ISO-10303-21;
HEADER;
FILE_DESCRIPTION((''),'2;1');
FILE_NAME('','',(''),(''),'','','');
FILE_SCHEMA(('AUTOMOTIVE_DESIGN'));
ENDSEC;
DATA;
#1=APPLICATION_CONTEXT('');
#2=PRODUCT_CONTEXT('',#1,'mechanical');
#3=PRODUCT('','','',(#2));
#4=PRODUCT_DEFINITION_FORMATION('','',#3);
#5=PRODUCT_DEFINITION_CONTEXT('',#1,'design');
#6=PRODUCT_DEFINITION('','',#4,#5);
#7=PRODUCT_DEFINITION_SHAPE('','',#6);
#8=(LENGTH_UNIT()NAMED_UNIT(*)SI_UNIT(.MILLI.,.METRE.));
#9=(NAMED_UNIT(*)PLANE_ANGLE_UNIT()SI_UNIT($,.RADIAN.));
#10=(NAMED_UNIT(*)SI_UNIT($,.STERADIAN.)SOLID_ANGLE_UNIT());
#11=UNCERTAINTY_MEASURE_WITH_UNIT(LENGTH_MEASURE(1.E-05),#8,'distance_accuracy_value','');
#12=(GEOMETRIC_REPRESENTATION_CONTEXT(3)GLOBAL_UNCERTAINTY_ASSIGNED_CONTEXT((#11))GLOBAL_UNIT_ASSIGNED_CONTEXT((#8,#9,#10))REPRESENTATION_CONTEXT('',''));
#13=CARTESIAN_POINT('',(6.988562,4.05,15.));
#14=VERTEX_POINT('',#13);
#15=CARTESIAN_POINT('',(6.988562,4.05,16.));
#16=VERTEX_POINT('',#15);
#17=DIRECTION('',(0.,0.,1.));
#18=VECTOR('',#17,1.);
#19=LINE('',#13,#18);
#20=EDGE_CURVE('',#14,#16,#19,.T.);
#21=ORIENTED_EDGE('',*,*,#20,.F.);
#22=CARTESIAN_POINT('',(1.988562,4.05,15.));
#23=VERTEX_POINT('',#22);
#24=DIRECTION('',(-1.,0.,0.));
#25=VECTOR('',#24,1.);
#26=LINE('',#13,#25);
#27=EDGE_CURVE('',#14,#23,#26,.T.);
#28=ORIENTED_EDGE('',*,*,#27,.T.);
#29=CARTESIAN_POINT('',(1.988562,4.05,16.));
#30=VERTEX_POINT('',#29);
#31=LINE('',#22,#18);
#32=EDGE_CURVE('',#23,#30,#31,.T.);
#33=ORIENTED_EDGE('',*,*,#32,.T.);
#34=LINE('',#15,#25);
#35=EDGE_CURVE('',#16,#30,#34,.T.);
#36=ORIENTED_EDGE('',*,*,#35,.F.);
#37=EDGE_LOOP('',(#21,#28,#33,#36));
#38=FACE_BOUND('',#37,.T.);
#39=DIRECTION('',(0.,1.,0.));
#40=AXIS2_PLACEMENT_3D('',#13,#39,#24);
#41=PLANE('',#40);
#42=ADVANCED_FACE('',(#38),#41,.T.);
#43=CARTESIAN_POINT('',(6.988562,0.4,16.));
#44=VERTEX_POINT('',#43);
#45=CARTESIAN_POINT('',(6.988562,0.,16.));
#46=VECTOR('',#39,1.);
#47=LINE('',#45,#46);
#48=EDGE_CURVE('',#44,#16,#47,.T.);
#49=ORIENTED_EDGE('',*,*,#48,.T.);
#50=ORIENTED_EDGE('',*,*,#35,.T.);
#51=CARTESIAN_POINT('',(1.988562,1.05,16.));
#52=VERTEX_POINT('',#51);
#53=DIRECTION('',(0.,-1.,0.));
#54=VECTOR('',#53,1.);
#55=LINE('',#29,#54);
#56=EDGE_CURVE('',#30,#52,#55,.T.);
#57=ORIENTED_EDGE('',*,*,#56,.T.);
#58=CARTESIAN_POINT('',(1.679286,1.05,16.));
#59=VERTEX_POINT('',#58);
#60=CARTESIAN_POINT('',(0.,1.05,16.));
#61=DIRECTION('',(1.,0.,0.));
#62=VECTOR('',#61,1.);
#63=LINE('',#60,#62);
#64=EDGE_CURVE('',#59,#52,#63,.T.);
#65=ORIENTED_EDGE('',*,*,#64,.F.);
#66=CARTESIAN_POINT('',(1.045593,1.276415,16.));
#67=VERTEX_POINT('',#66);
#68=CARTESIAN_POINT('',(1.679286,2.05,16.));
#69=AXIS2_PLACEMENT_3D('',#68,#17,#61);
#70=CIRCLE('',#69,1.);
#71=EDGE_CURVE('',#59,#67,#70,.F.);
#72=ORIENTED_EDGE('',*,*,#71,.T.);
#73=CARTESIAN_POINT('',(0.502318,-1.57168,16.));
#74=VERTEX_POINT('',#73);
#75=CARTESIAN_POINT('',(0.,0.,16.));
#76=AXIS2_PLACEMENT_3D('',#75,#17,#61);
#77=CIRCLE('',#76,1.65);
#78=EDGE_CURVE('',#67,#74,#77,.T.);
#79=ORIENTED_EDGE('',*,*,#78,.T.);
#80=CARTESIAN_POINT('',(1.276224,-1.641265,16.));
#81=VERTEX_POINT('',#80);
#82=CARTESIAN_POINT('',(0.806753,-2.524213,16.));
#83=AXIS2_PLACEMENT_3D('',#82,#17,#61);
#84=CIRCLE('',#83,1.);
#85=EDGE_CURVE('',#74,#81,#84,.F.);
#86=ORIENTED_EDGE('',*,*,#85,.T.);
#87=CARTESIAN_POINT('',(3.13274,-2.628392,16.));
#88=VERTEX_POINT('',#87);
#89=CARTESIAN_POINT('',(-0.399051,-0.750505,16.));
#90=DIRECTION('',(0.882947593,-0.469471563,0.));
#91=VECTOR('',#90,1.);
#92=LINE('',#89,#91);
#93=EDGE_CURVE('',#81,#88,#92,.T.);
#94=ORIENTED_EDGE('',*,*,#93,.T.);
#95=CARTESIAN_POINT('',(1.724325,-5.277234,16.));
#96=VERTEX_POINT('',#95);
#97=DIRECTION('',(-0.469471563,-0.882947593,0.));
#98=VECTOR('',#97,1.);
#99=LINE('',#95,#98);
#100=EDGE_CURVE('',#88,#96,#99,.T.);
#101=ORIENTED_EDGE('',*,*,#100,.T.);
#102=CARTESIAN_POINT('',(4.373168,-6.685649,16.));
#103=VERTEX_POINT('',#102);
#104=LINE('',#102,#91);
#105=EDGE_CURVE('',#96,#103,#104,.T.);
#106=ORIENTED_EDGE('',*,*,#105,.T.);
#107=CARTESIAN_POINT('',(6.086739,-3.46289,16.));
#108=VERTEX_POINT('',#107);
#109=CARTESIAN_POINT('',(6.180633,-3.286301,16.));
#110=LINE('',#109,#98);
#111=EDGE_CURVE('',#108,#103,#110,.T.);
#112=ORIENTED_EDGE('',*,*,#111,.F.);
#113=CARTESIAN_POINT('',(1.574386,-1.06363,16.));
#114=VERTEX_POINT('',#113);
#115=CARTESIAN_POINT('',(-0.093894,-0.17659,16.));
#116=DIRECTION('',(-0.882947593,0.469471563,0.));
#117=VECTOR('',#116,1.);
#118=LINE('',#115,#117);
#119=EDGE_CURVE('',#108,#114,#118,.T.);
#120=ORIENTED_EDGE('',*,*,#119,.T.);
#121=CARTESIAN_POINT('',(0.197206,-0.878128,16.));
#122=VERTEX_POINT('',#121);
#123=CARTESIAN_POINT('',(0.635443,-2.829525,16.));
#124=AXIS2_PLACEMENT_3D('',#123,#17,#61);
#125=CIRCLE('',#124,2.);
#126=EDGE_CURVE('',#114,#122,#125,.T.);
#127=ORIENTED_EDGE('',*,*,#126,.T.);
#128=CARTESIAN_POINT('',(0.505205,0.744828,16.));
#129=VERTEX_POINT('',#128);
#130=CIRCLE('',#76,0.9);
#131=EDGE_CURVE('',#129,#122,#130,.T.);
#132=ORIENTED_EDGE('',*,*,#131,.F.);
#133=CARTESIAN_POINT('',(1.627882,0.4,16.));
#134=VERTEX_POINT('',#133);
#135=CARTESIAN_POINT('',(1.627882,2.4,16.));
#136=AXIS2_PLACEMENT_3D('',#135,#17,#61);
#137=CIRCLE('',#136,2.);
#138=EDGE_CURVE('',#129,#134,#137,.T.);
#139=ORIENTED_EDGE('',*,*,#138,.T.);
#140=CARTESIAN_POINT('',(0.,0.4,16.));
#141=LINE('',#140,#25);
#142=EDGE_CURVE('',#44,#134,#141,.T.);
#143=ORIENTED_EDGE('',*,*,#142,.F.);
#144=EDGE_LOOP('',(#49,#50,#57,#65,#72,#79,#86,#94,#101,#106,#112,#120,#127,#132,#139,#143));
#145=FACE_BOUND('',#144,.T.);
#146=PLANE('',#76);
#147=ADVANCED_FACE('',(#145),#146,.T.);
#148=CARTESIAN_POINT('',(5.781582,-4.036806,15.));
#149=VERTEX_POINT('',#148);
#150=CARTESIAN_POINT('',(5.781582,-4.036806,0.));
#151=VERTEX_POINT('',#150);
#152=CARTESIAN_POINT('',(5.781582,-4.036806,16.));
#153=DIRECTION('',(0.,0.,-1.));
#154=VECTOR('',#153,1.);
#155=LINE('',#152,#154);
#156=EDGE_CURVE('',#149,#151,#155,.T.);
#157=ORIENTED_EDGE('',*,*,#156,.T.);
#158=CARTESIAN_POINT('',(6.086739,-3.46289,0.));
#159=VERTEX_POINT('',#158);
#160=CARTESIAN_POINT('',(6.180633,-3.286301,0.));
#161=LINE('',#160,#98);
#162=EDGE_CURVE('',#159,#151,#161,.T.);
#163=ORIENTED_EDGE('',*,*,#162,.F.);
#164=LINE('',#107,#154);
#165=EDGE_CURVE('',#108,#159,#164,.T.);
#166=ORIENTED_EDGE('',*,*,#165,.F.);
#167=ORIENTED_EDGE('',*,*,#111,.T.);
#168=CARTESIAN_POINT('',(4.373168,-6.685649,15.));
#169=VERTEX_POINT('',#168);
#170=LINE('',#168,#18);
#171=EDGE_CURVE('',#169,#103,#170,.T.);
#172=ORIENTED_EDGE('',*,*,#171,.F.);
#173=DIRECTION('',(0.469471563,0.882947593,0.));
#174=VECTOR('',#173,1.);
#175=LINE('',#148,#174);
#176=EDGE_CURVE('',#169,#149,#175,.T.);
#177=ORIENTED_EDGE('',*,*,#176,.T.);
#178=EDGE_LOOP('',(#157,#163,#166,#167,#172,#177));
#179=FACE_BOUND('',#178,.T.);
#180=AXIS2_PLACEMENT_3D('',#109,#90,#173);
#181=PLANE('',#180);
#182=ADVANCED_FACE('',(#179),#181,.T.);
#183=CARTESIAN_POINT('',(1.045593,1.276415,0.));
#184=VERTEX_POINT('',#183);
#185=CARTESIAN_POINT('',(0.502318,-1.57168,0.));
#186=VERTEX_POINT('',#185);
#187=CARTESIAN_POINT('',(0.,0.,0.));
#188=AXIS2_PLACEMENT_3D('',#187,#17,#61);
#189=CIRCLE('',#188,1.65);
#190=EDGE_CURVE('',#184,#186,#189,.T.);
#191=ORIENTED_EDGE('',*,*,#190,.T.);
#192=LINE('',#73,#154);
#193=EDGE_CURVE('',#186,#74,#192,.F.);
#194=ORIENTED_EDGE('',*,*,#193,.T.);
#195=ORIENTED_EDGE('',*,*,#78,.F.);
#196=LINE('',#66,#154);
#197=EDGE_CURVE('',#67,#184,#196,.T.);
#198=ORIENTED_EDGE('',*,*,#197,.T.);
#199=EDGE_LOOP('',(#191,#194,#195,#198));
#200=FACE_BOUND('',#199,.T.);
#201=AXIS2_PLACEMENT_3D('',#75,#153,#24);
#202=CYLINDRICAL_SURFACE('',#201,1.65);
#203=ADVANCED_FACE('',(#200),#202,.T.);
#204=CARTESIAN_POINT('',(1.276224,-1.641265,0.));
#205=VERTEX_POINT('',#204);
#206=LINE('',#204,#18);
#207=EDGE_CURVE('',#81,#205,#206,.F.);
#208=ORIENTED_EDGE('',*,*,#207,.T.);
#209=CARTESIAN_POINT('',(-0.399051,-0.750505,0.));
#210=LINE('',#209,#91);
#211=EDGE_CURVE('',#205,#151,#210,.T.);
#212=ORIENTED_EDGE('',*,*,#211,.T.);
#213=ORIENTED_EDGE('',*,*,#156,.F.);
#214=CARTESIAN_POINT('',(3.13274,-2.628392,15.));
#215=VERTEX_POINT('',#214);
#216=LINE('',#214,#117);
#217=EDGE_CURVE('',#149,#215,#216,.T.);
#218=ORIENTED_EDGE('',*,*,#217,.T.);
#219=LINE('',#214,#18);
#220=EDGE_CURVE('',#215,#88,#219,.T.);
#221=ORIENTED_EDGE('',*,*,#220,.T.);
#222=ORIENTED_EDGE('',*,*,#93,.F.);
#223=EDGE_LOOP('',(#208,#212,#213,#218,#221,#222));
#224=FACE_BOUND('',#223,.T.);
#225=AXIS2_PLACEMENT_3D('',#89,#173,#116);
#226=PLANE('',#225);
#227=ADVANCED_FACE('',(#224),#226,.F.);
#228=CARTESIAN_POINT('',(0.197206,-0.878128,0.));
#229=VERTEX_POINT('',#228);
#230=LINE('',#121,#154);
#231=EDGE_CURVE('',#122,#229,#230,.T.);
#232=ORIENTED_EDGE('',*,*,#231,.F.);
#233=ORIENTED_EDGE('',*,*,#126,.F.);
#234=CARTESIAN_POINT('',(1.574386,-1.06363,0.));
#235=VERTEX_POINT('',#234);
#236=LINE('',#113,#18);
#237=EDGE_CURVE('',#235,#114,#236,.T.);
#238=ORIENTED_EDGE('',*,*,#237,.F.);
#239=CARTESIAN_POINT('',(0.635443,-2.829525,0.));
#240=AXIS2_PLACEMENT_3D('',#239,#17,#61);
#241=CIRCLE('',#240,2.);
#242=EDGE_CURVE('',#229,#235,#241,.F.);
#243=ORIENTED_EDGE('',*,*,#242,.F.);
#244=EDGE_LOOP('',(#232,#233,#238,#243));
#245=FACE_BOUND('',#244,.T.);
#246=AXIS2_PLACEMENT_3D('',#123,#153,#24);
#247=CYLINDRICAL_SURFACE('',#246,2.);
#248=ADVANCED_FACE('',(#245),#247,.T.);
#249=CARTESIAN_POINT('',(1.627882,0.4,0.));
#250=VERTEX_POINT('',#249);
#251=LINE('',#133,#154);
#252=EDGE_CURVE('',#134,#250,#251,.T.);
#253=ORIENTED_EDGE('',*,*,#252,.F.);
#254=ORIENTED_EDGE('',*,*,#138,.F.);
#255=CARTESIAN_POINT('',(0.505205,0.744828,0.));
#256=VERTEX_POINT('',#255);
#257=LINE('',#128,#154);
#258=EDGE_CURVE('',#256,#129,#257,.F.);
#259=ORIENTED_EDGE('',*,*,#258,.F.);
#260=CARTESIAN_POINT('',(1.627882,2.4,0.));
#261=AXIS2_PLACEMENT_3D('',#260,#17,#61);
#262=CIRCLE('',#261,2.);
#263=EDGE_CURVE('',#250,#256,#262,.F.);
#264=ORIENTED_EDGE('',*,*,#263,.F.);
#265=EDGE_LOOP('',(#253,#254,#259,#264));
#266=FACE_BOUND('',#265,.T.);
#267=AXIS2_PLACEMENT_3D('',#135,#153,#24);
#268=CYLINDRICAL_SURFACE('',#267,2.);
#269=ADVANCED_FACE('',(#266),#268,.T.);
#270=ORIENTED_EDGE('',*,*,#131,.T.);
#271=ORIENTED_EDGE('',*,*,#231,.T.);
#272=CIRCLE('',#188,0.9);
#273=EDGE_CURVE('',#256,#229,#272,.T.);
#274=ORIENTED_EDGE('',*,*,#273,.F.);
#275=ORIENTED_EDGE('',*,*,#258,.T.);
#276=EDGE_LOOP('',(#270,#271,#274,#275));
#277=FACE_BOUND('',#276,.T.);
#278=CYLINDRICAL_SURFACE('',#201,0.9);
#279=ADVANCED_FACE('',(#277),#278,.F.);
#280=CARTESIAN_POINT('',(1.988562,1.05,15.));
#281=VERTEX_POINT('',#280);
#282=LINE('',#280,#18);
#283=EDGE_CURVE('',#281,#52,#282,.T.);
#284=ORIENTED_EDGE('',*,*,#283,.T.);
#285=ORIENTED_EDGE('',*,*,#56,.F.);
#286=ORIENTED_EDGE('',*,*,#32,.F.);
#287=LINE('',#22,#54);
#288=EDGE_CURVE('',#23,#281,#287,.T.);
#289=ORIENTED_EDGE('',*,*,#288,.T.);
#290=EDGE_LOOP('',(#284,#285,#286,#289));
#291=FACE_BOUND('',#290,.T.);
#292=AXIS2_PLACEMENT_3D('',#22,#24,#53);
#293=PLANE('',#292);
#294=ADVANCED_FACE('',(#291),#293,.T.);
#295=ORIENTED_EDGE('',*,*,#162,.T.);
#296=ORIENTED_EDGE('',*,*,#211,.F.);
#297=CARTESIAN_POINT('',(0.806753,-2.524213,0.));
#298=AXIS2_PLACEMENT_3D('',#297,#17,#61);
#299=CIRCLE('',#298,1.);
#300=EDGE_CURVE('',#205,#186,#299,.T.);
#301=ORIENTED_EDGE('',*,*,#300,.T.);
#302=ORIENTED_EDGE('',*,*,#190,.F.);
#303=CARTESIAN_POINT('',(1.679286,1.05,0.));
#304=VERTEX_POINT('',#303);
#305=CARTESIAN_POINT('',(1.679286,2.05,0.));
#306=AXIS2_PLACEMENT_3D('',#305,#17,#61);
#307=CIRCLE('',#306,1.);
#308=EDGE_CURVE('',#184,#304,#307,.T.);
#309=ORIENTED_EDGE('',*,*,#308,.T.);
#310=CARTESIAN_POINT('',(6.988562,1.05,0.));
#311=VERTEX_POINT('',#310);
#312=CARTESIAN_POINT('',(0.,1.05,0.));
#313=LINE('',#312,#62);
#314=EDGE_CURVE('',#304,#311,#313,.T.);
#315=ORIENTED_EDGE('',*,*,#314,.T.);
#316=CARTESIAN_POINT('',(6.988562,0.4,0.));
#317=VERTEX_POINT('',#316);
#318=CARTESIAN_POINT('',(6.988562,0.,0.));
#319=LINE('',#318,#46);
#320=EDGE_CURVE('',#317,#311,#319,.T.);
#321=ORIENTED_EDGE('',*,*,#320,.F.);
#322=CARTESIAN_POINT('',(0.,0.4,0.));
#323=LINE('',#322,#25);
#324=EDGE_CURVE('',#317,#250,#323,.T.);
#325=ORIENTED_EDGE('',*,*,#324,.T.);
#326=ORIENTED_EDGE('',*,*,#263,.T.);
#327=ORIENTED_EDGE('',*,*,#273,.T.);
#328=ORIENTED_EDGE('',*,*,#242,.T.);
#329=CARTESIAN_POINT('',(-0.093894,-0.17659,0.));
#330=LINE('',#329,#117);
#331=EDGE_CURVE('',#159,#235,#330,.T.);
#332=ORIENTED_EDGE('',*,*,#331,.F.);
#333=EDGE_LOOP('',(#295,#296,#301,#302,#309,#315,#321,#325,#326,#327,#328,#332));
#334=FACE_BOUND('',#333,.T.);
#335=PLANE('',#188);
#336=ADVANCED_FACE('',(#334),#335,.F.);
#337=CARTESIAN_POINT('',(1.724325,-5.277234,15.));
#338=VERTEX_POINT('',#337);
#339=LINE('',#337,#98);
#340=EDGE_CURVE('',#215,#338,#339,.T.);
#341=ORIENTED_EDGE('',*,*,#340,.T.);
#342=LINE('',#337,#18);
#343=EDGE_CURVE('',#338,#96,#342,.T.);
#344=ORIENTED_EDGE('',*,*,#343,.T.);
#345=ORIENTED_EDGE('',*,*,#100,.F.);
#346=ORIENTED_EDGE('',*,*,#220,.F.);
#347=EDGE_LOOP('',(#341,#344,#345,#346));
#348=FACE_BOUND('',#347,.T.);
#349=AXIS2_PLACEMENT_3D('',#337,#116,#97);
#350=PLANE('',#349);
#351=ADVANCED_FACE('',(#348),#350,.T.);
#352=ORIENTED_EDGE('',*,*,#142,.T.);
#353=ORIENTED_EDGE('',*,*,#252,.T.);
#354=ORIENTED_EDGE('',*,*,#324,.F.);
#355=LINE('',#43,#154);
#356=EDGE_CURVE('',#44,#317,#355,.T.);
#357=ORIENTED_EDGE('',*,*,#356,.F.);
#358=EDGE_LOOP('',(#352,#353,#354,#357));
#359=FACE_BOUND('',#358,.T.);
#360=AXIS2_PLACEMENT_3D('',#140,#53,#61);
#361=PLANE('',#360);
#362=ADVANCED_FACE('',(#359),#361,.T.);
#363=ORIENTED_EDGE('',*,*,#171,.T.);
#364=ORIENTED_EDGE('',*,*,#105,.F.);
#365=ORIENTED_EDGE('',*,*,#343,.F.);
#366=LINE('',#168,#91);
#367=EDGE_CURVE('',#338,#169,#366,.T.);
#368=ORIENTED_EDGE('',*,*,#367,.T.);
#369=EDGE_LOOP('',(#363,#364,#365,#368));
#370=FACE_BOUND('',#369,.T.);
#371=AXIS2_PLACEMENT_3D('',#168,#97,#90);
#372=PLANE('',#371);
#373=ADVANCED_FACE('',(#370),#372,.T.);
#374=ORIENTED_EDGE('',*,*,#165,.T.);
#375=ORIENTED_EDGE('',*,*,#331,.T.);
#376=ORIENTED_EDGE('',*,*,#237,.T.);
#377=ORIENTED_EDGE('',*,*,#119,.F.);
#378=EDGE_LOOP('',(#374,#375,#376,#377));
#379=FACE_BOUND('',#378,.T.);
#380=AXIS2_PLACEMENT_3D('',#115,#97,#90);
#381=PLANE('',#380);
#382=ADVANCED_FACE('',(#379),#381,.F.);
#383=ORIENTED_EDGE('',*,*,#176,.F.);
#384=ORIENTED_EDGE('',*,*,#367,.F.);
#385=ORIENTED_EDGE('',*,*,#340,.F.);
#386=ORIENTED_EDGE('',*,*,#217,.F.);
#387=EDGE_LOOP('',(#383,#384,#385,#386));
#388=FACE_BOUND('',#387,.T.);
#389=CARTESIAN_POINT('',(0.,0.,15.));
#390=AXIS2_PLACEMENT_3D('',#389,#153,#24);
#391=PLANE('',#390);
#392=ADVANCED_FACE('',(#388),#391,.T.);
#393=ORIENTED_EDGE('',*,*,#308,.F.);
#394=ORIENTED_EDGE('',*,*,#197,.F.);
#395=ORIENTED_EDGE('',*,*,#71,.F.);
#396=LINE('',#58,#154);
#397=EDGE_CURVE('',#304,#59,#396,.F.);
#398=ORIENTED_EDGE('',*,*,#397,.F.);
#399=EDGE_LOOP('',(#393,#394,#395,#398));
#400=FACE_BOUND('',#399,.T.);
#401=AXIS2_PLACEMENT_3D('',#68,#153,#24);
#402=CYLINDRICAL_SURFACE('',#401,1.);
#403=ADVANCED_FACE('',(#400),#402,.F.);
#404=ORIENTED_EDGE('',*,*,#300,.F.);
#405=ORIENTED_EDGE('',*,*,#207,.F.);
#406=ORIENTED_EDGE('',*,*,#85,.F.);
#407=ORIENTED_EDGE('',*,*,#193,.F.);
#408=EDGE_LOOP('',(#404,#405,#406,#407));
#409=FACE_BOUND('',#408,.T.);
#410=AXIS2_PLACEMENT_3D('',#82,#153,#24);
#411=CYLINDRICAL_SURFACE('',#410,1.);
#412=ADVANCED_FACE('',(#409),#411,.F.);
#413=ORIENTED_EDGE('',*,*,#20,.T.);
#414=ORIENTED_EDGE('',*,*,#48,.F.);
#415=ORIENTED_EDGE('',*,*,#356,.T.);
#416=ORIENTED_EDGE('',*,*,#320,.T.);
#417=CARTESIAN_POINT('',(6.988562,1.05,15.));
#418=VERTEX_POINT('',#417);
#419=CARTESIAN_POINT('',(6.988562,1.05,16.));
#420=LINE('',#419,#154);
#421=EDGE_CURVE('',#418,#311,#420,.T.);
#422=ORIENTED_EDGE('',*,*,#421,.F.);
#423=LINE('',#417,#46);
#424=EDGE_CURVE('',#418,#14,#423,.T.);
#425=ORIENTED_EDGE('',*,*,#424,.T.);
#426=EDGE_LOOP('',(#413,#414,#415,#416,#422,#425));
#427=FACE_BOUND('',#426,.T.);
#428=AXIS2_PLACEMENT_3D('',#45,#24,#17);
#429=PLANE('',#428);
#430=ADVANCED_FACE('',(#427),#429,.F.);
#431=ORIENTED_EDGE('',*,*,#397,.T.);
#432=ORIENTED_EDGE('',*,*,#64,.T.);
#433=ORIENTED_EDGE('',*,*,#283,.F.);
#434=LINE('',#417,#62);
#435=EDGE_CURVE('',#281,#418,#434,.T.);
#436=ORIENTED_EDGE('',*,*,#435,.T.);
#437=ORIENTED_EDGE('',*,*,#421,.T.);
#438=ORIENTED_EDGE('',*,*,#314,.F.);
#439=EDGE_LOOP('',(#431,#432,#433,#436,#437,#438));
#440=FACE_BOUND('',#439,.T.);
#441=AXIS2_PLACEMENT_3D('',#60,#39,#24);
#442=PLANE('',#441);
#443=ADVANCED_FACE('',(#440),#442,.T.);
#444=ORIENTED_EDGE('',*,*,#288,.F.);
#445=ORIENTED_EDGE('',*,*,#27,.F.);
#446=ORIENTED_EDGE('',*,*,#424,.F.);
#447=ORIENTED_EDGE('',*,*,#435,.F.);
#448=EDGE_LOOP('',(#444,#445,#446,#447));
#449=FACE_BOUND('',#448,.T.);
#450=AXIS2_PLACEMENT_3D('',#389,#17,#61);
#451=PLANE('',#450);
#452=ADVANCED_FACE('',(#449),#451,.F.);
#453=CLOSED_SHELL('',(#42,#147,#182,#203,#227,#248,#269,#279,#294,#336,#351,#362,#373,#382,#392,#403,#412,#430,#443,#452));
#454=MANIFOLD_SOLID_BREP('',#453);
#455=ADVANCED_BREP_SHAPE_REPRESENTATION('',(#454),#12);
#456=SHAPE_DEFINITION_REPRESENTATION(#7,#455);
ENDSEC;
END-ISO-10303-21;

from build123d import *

# Parameters (mm, degrees)
BOSS_EXTRUDE2_DEPTH = 16
FILLET3_R           = 1
FILLET6_R           = 2
SKETCH7_W           = 5
SKETCH7_H           = 3
BOSS_EXTRUDE6_DEPTH = 1


with BuildPart() as part:
    # Sketch5 → Boss-Extrude2 (new body)
    with BuildSketch(Plane(origin=(4.228476288, 0, 0), x_dir=(1, 0, 0), z_dir=(0, 0, 1))):
        with BuildLine():
            Line((2.760085796, 0.4), (-3.422250513, 0.4))
            ThreePointArc((-3.422250513, 0.4), (-5.121328449, 0.113203437), (-3.547587232, -0.588549143))
            Line((-3.547587232, -0.588549143), (1.85826255, -3.462890458))
            Line((1.85826255, -3.462890458), (1.553106034, -4.036806393))
            Line((1.553106034, -4.036806393), (-3.378850655, -1.414438505))
            ThreePointArc((-3.378850655, -1.414438505), (-5.854676969, 0.279233492), (-2.955684082, 1.05))
            Line((-2.955684082, 1.05), (2.760085796, 1.05))
            Line((2.760085796, 1.05), (2.760085796, 0.4))
        make_face()
    extrude(amount=BOSS_EXTRUDE2_DEPTH)

    # Fillet3
    fillet3_edges = [part.edges().sort_by_distance(p)[0] for p in [
        (0.849625632, -1.414438505, 8),
        (1.272792206, 1.05, 8),
    ]]
    fillet(fillet3_edges, radius=FILLET3_R)

    # Fillet6
    fillet6_edges = [part.edges().sort_by_distance(p)[0] for p in [
        (0.680889056, -0.588549143, 8),
        (0.806225775, 0.4, 8),
    ]]
    fillet(fillet6_edges, radius=FILLET6_R)

    # Sketch7 → Boss-Extrude6 (add)
    with BuildSketch(Plane.XY.offset(16)):
        with Locations((4.488562084, 2.55)):
            Rectangle(SKETCH7_W, SKETCH7_H)
        Polygon((5.781582322, -4.036806393), (4.373167633, -6.685649172), (1.724324855, -5.277234484), (3.132739543, -2.628391705), align=None)
    extrude(amount=-BOSS_EXTRUDE6_DEPTH)


solid = part.part
